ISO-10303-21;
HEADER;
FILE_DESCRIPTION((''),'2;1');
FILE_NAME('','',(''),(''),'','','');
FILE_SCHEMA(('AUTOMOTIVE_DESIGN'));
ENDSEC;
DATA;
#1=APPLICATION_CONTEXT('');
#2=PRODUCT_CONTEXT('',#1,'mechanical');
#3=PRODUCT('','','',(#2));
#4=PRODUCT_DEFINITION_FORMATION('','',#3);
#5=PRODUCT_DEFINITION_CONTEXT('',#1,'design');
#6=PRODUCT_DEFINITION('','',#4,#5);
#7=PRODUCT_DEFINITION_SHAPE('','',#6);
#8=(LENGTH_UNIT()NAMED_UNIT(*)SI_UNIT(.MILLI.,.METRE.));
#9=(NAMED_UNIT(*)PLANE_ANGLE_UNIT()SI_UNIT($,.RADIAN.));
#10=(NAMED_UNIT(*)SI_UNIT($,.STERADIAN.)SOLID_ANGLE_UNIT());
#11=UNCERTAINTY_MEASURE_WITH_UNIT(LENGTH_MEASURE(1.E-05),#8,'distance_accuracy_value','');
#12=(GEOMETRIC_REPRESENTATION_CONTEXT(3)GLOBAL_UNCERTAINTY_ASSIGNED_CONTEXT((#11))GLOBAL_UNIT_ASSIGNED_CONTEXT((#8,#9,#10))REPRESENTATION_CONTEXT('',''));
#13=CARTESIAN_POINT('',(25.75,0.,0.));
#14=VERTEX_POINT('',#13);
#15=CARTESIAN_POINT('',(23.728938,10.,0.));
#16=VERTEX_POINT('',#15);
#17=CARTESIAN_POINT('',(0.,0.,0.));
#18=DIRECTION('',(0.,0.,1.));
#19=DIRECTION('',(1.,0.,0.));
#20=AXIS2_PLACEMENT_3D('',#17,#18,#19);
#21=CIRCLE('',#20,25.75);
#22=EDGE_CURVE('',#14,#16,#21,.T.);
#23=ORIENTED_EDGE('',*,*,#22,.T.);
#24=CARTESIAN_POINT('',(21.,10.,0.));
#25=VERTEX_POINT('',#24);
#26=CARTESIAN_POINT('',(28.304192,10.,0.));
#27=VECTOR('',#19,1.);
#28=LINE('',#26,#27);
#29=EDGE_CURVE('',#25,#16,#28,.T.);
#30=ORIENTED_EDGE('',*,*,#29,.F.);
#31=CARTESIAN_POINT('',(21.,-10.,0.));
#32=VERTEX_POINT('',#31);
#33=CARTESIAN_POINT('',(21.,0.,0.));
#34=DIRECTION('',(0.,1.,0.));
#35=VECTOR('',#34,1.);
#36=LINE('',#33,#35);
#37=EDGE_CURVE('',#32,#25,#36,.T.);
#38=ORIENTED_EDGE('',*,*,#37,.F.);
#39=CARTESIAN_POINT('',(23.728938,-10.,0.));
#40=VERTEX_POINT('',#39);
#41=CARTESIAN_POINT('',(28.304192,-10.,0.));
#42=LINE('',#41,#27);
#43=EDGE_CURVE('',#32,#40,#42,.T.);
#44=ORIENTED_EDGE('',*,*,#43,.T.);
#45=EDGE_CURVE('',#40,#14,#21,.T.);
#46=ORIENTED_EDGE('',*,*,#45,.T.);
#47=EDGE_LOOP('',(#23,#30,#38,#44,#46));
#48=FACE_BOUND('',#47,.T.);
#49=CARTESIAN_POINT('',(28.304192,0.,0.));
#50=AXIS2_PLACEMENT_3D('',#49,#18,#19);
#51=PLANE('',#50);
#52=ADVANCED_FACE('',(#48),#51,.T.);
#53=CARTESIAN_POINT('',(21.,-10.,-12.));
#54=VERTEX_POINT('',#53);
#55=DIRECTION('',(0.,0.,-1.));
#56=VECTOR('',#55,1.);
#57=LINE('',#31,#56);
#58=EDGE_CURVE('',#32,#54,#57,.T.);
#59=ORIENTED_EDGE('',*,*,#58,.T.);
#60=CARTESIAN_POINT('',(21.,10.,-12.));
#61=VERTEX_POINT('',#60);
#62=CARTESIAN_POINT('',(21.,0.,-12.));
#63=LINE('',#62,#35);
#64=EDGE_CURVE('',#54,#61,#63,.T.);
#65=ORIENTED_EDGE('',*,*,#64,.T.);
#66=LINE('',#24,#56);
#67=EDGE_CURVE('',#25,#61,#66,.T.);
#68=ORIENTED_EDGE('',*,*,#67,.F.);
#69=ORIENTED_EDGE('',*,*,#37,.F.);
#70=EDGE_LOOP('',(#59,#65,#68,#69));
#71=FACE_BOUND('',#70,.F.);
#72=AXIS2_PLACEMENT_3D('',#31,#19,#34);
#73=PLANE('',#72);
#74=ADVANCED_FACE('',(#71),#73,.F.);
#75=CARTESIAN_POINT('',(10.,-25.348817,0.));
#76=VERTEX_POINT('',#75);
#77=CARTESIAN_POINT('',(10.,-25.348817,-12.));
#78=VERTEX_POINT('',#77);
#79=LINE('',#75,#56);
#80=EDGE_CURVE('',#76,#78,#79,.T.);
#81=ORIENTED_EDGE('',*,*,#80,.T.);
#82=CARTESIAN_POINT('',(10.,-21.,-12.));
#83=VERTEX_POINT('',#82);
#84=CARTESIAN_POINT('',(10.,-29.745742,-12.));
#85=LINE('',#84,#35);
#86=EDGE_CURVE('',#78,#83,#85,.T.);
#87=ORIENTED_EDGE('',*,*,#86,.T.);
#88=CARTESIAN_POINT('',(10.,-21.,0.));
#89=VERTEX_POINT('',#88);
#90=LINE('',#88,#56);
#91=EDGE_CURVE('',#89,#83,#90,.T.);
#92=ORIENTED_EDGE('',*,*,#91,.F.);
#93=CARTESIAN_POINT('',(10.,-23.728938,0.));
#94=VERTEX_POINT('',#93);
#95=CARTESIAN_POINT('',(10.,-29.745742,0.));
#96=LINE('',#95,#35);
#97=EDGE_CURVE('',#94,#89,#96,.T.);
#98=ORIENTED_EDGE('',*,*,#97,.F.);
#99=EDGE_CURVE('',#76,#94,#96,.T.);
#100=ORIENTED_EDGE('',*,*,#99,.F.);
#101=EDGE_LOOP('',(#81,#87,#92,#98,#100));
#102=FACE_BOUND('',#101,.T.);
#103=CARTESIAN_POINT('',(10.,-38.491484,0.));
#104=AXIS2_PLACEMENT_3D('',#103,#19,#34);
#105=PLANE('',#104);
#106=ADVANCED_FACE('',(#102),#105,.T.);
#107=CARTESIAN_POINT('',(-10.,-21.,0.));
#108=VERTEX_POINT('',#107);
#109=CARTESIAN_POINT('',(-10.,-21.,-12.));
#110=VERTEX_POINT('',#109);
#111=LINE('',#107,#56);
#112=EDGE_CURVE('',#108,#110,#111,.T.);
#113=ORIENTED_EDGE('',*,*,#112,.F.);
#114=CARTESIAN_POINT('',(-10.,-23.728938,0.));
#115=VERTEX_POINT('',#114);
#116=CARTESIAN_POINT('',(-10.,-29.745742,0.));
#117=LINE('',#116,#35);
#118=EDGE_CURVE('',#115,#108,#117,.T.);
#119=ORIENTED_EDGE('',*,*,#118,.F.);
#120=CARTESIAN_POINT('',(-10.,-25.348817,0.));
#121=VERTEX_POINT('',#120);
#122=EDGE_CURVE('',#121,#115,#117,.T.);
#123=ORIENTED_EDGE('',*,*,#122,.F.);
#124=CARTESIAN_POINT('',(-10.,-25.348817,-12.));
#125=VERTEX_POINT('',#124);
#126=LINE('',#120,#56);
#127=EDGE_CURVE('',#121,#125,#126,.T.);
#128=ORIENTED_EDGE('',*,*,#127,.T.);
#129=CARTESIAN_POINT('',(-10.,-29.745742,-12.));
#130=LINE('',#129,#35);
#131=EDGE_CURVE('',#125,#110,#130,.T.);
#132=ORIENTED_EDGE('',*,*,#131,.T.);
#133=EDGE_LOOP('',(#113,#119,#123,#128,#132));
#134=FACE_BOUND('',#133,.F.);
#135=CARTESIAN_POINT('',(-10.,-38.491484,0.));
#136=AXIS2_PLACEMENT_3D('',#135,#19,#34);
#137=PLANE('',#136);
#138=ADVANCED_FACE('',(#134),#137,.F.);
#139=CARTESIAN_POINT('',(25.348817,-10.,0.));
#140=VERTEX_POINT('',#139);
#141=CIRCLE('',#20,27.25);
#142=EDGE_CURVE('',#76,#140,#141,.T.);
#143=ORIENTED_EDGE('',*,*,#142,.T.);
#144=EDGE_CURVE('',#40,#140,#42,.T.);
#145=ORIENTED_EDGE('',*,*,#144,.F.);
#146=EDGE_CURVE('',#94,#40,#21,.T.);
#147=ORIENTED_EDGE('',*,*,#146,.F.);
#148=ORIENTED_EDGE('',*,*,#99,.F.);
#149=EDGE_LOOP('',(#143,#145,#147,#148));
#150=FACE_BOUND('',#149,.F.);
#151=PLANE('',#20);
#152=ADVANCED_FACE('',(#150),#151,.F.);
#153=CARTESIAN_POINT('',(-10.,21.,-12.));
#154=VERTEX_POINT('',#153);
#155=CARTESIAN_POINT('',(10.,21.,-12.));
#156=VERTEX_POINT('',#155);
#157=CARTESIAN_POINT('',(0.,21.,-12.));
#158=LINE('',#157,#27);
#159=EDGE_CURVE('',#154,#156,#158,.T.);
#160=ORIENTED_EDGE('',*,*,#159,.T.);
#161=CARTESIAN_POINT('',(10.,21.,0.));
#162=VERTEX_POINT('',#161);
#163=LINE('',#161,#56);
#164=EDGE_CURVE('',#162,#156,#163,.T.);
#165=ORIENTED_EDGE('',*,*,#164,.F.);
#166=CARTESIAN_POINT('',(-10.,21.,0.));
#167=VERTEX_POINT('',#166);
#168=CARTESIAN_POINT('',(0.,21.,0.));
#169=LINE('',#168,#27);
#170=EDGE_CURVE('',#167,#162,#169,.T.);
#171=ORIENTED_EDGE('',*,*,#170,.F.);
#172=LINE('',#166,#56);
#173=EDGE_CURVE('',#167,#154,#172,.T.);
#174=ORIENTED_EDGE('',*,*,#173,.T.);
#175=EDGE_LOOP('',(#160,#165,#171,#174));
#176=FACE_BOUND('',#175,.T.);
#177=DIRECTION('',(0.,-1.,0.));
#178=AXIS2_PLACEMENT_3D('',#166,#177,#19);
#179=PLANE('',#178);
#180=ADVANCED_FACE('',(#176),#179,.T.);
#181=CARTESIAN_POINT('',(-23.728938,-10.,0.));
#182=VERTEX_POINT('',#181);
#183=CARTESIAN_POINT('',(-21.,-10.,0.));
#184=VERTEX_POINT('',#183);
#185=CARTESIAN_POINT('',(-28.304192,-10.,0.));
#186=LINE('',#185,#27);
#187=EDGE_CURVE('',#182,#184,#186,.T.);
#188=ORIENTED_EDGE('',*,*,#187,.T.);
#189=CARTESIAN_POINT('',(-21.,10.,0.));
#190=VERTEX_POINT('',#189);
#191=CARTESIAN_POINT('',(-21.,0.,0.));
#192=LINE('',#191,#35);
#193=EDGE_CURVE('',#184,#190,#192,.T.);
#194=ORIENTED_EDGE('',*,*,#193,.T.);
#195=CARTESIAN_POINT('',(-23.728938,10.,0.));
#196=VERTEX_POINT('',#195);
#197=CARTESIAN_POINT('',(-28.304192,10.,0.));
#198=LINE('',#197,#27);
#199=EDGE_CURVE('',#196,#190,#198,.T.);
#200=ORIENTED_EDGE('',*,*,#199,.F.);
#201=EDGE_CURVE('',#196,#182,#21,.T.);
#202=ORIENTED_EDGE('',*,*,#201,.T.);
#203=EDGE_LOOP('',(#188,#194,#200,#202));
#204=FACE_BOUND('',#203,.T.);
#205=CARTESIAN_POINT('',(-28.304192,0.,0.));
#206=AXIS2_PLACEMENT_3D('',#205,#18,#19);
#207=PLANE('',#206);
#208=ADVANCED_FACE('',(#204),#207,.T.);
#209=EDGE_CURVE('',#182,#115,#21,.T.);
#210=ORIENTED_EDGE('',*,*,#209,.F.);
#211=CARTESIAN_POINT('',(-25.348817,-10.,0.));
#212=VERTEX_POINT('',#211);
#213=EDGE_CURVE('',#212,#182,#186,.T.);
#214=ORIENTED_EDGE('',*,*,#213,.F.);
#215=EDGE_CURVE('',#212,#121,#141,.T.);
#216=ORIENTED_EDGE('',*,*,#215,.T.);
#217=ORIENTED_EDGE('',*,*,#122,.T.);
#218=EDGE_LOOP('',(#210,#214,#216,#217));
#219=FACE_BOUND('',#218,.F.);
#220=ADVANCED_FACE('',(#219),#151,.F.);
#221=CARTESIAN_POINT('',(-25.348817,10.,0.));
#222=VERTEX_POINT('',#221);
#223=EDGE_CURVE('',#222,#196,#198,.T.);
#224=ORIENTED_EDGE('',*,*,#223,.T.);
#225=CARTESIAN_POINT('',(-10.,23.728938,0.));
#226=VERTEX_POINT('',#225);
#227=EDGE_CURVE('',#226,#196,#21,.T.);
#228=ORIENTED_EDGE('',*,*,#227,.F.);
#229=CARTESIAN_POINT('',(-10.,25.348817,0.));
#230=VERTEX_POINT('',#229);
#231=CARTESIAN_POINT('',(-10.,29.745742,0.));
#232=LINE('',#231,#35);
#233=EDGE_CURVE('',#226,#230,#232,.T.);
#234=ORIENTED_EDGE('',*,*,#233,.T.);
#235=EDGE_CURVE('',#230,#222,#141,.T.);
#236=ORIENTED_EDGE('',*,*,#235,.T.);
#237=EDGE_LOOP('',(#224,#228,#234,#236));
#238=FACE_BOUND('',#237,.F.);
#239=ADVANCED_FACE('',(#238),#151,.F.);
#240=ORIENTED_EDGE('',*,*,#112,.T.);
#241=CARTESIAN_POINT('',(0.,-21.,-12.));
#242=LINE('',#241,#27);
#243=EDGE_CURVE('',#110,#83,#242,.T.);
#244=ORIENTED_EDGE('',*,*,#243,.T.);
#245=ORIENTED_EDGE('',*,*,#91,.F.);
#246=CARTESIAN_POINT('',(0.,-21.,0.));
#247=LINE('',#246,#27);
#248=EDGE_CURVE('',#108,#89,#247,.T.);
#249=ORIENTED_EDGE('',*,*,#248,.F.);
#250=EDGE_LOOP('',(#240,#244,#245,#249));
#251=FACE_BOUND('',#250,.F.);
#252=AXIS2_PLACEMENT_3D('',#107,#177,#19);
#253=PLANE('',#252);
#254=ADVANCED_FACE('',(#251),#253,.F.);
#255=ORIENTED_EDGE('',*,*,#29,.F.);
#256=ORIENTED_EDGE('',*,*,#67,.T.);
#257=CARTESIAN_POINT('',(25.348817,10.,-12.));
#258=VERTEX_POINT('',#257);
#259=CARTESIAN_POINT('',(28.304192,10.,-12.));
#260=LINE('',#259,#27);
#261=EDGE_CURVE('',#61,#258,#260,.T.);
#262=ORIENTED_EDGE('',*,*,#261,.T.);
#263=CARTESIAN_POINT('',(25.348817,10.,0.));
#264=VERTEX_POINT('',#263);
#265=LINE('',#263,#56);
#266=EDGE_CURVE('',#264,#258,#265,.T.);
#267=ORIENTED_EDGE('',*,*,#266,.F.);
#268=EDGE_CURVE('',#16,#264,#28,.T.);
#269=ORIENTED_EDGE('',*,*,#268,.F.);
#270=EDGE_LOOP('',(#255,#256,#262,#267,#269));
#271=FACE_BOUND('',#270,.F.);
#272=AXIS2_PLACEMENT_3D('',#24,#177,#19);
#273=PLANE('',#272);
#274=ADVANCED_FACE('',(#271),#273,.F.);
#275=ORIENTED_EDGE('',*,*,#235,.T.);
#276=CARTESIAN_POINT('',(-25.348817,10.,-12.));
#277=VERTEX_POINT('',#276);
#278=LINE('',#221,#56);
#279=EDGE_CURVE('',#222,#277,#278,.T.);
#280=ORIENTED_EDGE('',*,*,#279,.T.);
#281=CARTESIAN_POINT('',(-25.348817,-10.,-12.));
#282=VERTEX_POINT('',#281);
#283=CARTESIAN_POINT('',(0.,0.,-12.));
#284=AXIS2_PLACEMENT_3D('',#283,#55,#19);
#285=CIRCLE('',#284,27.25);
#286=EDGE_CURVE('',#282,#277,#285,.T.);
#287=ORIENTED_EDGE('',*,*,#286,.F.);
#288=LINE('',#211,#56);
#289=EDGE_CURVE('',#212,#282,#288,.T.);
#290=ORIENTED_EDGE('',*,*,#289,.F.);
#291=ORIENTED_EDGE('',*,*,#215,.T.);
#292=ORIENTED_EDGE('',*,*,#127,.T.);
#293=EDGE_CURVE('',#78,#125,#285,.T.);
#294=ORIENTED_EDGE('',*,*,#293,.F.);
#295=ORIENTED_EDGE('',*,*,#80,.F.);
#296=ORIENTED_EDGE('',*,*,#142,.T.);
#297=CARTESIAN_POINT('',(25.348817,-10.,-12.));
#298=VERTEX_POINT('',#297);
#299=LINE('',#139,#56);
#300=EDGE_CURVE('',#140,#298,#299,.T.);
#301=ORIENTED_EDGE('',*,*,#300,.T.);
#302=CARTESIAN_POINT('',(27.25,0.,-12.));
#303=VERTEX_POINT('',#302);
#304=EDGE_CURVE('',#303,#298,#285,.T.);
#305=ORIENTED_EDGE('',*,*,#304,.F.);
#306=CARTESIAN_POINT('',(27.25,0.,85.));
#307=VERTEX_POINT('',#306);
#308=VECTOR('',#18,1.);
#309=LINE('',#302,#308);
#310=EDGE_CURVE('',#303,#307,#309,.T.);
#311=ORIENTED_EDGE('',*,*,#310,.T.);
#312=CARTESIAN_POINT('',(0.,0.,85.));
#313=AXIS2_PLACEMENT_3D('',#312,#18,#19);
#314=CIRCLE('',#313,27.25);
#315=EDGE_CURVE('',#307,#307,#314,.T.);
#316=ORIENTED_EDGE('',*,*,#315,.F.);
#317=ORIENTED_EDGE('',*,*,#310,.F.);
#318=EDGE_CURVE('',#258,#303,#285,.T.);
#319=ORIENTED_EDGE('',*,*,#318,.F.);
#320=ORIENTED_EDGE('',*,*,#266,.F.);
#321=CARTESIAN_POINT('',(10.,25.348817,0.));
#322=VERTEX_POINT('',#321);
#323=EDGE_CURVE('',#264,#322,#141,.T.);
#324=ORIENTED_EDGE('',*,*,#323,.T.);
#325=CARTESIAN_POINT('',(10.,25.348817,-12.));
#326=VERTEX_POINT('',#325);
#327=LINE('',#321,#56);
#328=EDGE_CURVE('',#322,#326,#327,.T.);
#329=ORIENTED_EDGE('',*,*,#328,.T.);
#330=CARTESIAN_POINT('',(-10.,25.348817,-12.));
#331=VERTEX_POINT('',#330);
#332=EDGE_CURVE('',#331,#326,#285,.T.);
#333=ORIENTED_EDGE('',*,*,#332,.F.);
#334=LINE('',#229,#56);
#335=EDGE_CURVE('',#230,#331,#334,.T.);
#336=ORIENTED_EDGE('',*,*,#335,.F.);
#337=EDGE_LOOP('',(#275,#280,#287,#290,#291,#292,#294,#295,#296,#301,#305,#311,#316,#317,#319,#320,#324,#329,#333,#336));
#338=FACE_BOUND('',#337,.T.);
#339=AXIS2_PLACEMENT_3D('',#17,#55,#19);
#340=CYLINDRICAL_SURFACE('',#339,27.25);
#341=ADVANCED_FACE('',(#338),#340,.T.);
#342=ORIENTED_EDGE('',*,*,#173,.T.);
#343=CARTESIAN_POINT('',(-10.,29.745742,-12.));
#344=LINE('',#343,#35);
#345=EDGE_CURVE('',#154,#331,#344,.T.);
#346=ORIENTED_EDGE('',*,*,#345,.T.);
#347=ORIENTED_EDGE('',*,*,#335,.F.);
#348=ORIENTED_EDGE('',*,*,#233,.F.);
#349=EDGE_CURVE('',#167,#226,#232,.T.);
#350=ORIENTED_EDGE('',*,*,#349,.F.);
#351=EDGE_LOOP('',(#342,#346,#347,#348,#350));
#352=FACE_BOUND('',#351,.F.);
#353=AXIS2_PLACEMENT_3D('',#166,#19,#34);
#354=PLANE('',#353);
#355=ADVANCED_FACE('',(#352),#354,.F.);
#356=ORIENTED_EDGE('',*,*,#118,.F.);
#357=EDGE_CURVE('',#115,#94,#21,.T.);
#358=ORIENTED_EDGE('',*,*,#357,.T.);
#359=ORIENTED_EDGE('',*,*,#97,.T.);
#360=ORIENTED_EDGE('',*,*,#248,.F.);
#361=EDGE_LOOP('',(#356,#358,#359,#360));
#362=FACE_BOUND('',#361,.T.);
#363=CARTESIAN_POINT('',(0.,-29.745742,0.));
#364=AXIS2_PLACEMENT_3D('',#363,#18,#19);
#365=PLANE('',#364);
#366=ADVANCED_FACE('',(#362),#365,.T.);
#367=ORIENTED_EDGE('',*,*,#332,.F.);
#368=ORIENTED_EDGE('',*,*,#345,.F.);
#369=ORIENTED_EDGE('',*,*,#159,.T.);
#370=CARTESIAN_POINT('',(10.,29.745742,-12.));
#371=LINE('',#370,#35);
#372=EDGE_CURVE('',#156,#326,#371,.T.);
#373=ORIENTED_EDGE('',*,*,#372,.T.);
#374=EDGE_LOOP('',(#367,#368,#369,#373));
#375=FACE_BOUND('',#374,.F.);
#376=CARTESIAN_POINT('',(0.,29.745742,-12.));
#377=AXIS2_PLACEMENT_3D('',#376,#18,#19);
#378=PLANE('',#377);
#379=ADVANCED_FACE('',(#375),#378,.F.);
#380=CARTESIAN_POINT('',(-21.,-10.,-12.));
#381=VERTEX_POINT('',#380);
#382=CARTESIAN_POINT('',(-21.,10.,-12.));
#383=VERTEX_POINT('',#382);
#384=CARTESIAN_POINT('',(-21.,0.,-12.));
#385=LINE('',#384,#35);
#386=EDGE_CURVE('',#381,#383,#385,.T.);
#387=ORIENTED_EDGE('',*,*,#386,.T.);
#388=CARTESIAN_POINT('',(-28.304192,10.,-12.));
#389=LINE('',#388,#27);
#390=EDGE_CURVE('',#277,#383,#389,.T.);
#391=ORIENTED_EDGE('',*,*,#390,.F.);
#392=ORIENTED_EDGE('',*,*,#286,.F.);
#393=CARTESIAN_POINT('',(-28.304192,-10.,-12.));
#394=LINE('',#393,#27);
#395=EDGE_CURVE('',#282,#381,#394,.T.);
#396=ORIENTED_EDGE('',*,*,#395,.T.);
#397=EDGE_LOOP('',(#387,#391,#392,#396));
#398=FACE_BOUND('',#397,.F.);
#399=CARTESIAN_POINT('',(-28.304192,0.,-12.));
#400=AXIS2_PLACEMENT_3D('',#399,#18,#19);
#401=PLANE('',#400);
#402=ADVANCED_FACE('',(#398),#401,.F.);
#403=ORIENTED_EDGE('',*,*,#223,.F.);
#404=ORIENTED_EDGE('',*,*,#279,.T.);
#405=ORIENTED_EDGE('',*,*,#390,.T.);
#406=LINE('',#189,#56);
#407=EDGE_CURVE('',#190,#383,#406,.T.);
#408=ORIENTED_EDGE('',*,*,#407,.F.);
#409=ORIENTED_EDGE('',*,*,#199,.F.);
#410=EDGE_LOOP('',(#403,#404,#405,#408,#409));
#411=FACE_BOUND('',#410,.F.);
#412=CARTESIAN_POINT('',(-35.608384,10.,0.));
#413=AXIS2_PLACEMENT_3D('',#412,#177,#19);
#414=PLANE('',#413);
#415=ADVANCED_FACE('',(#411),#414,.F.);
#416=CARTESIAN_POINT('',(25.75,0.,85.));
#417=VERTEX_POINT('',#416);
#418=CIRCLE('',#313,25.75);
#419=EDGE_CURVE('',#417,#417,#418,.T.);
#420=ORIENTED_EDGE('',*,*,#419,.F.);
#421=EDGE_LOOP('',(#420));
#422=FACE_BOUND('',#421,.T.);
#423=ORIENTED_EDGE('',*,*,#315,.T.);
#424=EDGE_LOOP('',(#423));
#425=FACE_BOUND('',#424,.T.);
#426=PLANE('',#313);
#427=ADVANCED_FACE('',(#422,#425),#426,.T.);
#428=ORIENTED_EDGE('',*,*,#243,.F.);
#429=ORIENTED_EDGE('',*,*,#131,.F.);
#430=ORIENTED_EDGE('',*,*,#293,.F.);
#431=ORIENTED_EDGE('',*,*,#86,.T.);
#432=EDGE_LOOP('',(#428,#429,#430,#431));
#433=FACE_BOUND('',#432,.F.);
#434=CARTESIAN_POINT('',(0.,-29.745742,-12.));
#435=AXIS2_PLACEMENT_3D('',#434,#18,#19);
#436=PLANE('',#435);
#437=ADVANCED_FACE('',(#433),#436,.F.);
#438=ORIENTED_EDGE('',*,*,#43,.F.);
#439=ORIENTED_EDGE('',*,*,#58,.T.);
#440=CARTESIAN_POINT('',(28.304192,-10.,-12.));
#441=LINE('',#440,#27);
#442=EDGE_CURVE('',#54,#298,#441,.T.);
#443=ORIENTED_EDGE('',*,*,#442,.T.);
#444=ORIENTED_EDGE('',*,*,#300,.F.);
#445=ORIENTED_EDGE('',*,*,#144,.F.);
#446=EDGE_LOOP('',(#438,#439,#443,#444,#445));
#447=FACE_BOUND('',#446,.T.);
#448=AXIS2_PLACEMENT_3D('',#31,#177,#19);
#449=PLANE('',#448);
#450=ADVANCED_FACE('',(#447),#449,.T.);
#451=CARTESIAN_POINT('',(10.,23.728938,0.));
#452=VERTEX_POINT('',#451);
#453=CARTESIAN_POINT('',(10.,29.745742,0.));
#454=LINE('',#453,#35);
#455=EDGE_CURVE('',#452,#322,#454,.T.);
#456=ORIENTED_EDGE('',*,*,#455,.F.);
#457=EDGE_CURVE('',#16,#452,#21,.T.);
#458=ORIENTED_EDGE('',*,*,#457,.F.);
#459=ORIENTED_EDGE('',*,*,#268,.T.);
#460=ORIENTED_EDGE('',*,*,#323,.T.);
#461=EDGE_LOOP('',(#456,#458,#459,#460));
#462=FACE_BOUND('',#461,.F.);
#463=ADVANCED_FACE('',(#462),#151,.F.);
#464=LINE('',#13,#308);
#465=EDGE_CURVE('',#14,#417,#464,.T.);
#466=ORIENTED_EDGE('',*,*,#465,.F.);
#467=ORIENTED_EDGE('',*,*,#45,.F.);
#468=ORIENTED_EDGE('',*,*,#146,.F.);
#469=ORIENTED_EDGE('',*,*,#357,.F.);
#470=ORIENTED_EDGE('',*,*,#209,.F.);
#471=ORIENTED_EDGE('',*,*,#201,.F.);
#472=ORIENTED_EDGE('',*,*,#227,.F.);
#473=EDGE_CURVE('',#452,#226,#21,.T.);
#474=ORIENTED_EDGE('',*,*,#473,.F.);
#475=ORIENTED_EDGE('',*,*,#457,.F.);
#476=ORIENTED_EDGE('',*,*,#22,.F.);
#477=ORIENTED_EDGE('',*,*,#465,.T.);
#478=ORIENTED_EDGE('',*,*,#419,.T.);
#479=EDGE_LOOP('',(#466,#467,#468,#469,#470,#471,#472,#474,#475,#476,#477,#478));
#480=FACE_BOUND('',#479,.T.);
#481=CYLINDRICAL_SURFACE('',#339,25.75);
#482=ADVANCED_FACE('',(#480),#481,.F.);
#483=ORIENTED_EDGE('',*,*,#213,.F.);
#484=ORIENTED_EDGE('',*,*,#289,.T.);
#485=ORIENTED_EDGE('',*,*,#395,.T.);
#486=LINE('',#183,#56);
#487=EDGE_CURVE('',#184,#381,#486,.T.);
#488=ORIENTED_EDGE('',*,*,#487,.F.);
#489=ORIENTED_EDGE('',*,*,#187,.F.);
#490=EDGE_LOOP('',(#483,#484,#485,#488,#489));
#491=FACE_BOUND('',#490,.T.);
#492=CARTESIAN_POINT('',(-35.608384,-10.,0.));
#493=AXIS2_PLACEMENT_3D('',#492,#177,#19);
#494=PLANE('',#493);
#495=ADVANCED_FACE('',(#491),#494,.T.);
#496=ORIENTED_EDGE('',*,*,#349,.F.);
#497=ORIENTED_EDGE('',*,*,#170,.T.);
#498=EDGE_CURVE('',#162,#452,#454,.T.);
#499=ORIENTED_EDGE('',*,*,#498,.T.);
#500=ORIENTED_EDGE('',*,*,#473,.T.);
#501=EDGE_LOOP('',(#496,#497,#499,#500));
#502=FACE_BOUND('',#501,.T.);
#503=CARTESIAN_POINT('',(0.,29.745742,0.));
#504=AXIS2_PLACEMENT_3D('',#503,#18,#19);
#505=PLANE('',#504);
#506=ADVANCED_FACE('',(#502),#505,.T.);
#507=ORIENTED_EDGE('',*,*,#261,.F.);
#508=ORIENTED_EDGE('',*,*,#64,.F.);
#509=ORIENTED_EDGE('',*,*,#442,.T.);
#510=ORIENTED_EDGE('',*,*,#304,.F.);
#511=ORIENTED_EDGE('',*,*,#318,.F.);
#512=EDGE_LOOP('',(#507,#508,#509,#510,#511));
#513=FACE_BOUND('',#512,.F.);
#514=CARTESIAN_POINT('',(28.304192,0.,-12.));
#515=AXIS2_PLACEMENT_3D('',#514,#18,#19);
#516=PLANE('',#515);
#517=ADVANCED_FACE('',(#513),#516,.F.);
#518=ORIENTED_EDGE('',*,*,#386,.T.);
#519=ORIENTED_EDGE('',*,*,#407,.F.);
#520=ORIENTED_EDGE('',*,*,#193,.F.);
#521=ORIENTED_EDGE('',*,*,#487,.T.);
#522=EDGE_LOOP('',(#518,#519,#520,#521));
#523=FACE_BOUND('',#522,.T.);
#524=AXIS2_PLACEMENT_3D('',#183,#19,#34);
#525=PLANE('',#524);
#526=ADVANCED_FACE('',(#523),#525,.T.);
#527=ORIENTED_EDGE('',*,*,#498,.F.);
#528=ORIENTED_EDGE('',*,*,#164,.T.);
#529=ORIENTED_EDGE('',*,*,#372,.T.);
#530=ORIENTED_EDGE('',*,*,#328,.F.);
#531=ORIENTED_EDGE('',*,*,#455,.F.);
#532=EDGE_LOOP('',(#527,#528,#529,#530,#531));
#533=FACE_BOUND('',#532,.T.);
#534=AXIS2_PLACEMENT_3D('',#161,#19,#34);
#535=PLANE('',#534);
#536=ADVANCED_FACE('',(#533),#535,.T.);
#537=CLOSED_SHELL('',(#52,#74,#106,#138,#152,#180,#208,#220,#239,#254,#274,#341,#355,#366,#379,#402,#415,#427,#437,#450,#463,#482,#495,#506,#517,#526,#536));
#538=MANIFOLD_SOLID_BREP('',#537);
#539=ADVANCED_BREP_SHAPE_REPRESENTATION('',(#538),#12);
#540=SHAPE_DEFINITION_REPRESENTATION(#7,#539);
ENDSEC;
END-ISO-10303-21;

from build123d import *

# Parameters (mm, degrees)
F0_R     = 27.25
F0_R_2   = 25.75
F1_DEPTH = 85
F2_W     = 20
F2_H     = 17.491485
F2_W_2   = 14.608384
F2_H_2   = 20
F3_DEPTH = 12
F4_R     = 27.25
F5_DEPTH = 100


with BuildPart() as f1:
    # F0 (on Top) → F1 (new body)
    with BuildSketch(Plane.XY):
        Circle(F0_R)
        Circle(F0_R_2, mode=Mode.SUBTRACT)
    extrude(amount=F1_DEPTH)

    # F2 (on Top) → F3 (join)
    with BuildSketch(Plane.XY):
        with Locations((0, -29.745742)):
            Rectangle(F2_W, F2_H)
        with Locations((-28.304192, 0)):
            Rectangle(F2_W_2, F2_H_2)
        with Locations((0, 29.745742)):
            Rectangle(F2_W, F2_H)
        with Locations((28.304192, 0)):
            Rectangle(F2_W_2, F2_H_2)
    extrude(amount=-F3_DEPTH)

    # F4 (on face) → F5 (intersect, symmetric)
    with BuildSketch(Plane(origin=(0, 0, 0), x_dir=(1, 0, 0), z_dir=(0, 0, -1))):
        Circle(F4_R)
    extrude(amount=F5_DEPTH, both=True, mode=Mode.INTERSECT)


solid = f1.part
